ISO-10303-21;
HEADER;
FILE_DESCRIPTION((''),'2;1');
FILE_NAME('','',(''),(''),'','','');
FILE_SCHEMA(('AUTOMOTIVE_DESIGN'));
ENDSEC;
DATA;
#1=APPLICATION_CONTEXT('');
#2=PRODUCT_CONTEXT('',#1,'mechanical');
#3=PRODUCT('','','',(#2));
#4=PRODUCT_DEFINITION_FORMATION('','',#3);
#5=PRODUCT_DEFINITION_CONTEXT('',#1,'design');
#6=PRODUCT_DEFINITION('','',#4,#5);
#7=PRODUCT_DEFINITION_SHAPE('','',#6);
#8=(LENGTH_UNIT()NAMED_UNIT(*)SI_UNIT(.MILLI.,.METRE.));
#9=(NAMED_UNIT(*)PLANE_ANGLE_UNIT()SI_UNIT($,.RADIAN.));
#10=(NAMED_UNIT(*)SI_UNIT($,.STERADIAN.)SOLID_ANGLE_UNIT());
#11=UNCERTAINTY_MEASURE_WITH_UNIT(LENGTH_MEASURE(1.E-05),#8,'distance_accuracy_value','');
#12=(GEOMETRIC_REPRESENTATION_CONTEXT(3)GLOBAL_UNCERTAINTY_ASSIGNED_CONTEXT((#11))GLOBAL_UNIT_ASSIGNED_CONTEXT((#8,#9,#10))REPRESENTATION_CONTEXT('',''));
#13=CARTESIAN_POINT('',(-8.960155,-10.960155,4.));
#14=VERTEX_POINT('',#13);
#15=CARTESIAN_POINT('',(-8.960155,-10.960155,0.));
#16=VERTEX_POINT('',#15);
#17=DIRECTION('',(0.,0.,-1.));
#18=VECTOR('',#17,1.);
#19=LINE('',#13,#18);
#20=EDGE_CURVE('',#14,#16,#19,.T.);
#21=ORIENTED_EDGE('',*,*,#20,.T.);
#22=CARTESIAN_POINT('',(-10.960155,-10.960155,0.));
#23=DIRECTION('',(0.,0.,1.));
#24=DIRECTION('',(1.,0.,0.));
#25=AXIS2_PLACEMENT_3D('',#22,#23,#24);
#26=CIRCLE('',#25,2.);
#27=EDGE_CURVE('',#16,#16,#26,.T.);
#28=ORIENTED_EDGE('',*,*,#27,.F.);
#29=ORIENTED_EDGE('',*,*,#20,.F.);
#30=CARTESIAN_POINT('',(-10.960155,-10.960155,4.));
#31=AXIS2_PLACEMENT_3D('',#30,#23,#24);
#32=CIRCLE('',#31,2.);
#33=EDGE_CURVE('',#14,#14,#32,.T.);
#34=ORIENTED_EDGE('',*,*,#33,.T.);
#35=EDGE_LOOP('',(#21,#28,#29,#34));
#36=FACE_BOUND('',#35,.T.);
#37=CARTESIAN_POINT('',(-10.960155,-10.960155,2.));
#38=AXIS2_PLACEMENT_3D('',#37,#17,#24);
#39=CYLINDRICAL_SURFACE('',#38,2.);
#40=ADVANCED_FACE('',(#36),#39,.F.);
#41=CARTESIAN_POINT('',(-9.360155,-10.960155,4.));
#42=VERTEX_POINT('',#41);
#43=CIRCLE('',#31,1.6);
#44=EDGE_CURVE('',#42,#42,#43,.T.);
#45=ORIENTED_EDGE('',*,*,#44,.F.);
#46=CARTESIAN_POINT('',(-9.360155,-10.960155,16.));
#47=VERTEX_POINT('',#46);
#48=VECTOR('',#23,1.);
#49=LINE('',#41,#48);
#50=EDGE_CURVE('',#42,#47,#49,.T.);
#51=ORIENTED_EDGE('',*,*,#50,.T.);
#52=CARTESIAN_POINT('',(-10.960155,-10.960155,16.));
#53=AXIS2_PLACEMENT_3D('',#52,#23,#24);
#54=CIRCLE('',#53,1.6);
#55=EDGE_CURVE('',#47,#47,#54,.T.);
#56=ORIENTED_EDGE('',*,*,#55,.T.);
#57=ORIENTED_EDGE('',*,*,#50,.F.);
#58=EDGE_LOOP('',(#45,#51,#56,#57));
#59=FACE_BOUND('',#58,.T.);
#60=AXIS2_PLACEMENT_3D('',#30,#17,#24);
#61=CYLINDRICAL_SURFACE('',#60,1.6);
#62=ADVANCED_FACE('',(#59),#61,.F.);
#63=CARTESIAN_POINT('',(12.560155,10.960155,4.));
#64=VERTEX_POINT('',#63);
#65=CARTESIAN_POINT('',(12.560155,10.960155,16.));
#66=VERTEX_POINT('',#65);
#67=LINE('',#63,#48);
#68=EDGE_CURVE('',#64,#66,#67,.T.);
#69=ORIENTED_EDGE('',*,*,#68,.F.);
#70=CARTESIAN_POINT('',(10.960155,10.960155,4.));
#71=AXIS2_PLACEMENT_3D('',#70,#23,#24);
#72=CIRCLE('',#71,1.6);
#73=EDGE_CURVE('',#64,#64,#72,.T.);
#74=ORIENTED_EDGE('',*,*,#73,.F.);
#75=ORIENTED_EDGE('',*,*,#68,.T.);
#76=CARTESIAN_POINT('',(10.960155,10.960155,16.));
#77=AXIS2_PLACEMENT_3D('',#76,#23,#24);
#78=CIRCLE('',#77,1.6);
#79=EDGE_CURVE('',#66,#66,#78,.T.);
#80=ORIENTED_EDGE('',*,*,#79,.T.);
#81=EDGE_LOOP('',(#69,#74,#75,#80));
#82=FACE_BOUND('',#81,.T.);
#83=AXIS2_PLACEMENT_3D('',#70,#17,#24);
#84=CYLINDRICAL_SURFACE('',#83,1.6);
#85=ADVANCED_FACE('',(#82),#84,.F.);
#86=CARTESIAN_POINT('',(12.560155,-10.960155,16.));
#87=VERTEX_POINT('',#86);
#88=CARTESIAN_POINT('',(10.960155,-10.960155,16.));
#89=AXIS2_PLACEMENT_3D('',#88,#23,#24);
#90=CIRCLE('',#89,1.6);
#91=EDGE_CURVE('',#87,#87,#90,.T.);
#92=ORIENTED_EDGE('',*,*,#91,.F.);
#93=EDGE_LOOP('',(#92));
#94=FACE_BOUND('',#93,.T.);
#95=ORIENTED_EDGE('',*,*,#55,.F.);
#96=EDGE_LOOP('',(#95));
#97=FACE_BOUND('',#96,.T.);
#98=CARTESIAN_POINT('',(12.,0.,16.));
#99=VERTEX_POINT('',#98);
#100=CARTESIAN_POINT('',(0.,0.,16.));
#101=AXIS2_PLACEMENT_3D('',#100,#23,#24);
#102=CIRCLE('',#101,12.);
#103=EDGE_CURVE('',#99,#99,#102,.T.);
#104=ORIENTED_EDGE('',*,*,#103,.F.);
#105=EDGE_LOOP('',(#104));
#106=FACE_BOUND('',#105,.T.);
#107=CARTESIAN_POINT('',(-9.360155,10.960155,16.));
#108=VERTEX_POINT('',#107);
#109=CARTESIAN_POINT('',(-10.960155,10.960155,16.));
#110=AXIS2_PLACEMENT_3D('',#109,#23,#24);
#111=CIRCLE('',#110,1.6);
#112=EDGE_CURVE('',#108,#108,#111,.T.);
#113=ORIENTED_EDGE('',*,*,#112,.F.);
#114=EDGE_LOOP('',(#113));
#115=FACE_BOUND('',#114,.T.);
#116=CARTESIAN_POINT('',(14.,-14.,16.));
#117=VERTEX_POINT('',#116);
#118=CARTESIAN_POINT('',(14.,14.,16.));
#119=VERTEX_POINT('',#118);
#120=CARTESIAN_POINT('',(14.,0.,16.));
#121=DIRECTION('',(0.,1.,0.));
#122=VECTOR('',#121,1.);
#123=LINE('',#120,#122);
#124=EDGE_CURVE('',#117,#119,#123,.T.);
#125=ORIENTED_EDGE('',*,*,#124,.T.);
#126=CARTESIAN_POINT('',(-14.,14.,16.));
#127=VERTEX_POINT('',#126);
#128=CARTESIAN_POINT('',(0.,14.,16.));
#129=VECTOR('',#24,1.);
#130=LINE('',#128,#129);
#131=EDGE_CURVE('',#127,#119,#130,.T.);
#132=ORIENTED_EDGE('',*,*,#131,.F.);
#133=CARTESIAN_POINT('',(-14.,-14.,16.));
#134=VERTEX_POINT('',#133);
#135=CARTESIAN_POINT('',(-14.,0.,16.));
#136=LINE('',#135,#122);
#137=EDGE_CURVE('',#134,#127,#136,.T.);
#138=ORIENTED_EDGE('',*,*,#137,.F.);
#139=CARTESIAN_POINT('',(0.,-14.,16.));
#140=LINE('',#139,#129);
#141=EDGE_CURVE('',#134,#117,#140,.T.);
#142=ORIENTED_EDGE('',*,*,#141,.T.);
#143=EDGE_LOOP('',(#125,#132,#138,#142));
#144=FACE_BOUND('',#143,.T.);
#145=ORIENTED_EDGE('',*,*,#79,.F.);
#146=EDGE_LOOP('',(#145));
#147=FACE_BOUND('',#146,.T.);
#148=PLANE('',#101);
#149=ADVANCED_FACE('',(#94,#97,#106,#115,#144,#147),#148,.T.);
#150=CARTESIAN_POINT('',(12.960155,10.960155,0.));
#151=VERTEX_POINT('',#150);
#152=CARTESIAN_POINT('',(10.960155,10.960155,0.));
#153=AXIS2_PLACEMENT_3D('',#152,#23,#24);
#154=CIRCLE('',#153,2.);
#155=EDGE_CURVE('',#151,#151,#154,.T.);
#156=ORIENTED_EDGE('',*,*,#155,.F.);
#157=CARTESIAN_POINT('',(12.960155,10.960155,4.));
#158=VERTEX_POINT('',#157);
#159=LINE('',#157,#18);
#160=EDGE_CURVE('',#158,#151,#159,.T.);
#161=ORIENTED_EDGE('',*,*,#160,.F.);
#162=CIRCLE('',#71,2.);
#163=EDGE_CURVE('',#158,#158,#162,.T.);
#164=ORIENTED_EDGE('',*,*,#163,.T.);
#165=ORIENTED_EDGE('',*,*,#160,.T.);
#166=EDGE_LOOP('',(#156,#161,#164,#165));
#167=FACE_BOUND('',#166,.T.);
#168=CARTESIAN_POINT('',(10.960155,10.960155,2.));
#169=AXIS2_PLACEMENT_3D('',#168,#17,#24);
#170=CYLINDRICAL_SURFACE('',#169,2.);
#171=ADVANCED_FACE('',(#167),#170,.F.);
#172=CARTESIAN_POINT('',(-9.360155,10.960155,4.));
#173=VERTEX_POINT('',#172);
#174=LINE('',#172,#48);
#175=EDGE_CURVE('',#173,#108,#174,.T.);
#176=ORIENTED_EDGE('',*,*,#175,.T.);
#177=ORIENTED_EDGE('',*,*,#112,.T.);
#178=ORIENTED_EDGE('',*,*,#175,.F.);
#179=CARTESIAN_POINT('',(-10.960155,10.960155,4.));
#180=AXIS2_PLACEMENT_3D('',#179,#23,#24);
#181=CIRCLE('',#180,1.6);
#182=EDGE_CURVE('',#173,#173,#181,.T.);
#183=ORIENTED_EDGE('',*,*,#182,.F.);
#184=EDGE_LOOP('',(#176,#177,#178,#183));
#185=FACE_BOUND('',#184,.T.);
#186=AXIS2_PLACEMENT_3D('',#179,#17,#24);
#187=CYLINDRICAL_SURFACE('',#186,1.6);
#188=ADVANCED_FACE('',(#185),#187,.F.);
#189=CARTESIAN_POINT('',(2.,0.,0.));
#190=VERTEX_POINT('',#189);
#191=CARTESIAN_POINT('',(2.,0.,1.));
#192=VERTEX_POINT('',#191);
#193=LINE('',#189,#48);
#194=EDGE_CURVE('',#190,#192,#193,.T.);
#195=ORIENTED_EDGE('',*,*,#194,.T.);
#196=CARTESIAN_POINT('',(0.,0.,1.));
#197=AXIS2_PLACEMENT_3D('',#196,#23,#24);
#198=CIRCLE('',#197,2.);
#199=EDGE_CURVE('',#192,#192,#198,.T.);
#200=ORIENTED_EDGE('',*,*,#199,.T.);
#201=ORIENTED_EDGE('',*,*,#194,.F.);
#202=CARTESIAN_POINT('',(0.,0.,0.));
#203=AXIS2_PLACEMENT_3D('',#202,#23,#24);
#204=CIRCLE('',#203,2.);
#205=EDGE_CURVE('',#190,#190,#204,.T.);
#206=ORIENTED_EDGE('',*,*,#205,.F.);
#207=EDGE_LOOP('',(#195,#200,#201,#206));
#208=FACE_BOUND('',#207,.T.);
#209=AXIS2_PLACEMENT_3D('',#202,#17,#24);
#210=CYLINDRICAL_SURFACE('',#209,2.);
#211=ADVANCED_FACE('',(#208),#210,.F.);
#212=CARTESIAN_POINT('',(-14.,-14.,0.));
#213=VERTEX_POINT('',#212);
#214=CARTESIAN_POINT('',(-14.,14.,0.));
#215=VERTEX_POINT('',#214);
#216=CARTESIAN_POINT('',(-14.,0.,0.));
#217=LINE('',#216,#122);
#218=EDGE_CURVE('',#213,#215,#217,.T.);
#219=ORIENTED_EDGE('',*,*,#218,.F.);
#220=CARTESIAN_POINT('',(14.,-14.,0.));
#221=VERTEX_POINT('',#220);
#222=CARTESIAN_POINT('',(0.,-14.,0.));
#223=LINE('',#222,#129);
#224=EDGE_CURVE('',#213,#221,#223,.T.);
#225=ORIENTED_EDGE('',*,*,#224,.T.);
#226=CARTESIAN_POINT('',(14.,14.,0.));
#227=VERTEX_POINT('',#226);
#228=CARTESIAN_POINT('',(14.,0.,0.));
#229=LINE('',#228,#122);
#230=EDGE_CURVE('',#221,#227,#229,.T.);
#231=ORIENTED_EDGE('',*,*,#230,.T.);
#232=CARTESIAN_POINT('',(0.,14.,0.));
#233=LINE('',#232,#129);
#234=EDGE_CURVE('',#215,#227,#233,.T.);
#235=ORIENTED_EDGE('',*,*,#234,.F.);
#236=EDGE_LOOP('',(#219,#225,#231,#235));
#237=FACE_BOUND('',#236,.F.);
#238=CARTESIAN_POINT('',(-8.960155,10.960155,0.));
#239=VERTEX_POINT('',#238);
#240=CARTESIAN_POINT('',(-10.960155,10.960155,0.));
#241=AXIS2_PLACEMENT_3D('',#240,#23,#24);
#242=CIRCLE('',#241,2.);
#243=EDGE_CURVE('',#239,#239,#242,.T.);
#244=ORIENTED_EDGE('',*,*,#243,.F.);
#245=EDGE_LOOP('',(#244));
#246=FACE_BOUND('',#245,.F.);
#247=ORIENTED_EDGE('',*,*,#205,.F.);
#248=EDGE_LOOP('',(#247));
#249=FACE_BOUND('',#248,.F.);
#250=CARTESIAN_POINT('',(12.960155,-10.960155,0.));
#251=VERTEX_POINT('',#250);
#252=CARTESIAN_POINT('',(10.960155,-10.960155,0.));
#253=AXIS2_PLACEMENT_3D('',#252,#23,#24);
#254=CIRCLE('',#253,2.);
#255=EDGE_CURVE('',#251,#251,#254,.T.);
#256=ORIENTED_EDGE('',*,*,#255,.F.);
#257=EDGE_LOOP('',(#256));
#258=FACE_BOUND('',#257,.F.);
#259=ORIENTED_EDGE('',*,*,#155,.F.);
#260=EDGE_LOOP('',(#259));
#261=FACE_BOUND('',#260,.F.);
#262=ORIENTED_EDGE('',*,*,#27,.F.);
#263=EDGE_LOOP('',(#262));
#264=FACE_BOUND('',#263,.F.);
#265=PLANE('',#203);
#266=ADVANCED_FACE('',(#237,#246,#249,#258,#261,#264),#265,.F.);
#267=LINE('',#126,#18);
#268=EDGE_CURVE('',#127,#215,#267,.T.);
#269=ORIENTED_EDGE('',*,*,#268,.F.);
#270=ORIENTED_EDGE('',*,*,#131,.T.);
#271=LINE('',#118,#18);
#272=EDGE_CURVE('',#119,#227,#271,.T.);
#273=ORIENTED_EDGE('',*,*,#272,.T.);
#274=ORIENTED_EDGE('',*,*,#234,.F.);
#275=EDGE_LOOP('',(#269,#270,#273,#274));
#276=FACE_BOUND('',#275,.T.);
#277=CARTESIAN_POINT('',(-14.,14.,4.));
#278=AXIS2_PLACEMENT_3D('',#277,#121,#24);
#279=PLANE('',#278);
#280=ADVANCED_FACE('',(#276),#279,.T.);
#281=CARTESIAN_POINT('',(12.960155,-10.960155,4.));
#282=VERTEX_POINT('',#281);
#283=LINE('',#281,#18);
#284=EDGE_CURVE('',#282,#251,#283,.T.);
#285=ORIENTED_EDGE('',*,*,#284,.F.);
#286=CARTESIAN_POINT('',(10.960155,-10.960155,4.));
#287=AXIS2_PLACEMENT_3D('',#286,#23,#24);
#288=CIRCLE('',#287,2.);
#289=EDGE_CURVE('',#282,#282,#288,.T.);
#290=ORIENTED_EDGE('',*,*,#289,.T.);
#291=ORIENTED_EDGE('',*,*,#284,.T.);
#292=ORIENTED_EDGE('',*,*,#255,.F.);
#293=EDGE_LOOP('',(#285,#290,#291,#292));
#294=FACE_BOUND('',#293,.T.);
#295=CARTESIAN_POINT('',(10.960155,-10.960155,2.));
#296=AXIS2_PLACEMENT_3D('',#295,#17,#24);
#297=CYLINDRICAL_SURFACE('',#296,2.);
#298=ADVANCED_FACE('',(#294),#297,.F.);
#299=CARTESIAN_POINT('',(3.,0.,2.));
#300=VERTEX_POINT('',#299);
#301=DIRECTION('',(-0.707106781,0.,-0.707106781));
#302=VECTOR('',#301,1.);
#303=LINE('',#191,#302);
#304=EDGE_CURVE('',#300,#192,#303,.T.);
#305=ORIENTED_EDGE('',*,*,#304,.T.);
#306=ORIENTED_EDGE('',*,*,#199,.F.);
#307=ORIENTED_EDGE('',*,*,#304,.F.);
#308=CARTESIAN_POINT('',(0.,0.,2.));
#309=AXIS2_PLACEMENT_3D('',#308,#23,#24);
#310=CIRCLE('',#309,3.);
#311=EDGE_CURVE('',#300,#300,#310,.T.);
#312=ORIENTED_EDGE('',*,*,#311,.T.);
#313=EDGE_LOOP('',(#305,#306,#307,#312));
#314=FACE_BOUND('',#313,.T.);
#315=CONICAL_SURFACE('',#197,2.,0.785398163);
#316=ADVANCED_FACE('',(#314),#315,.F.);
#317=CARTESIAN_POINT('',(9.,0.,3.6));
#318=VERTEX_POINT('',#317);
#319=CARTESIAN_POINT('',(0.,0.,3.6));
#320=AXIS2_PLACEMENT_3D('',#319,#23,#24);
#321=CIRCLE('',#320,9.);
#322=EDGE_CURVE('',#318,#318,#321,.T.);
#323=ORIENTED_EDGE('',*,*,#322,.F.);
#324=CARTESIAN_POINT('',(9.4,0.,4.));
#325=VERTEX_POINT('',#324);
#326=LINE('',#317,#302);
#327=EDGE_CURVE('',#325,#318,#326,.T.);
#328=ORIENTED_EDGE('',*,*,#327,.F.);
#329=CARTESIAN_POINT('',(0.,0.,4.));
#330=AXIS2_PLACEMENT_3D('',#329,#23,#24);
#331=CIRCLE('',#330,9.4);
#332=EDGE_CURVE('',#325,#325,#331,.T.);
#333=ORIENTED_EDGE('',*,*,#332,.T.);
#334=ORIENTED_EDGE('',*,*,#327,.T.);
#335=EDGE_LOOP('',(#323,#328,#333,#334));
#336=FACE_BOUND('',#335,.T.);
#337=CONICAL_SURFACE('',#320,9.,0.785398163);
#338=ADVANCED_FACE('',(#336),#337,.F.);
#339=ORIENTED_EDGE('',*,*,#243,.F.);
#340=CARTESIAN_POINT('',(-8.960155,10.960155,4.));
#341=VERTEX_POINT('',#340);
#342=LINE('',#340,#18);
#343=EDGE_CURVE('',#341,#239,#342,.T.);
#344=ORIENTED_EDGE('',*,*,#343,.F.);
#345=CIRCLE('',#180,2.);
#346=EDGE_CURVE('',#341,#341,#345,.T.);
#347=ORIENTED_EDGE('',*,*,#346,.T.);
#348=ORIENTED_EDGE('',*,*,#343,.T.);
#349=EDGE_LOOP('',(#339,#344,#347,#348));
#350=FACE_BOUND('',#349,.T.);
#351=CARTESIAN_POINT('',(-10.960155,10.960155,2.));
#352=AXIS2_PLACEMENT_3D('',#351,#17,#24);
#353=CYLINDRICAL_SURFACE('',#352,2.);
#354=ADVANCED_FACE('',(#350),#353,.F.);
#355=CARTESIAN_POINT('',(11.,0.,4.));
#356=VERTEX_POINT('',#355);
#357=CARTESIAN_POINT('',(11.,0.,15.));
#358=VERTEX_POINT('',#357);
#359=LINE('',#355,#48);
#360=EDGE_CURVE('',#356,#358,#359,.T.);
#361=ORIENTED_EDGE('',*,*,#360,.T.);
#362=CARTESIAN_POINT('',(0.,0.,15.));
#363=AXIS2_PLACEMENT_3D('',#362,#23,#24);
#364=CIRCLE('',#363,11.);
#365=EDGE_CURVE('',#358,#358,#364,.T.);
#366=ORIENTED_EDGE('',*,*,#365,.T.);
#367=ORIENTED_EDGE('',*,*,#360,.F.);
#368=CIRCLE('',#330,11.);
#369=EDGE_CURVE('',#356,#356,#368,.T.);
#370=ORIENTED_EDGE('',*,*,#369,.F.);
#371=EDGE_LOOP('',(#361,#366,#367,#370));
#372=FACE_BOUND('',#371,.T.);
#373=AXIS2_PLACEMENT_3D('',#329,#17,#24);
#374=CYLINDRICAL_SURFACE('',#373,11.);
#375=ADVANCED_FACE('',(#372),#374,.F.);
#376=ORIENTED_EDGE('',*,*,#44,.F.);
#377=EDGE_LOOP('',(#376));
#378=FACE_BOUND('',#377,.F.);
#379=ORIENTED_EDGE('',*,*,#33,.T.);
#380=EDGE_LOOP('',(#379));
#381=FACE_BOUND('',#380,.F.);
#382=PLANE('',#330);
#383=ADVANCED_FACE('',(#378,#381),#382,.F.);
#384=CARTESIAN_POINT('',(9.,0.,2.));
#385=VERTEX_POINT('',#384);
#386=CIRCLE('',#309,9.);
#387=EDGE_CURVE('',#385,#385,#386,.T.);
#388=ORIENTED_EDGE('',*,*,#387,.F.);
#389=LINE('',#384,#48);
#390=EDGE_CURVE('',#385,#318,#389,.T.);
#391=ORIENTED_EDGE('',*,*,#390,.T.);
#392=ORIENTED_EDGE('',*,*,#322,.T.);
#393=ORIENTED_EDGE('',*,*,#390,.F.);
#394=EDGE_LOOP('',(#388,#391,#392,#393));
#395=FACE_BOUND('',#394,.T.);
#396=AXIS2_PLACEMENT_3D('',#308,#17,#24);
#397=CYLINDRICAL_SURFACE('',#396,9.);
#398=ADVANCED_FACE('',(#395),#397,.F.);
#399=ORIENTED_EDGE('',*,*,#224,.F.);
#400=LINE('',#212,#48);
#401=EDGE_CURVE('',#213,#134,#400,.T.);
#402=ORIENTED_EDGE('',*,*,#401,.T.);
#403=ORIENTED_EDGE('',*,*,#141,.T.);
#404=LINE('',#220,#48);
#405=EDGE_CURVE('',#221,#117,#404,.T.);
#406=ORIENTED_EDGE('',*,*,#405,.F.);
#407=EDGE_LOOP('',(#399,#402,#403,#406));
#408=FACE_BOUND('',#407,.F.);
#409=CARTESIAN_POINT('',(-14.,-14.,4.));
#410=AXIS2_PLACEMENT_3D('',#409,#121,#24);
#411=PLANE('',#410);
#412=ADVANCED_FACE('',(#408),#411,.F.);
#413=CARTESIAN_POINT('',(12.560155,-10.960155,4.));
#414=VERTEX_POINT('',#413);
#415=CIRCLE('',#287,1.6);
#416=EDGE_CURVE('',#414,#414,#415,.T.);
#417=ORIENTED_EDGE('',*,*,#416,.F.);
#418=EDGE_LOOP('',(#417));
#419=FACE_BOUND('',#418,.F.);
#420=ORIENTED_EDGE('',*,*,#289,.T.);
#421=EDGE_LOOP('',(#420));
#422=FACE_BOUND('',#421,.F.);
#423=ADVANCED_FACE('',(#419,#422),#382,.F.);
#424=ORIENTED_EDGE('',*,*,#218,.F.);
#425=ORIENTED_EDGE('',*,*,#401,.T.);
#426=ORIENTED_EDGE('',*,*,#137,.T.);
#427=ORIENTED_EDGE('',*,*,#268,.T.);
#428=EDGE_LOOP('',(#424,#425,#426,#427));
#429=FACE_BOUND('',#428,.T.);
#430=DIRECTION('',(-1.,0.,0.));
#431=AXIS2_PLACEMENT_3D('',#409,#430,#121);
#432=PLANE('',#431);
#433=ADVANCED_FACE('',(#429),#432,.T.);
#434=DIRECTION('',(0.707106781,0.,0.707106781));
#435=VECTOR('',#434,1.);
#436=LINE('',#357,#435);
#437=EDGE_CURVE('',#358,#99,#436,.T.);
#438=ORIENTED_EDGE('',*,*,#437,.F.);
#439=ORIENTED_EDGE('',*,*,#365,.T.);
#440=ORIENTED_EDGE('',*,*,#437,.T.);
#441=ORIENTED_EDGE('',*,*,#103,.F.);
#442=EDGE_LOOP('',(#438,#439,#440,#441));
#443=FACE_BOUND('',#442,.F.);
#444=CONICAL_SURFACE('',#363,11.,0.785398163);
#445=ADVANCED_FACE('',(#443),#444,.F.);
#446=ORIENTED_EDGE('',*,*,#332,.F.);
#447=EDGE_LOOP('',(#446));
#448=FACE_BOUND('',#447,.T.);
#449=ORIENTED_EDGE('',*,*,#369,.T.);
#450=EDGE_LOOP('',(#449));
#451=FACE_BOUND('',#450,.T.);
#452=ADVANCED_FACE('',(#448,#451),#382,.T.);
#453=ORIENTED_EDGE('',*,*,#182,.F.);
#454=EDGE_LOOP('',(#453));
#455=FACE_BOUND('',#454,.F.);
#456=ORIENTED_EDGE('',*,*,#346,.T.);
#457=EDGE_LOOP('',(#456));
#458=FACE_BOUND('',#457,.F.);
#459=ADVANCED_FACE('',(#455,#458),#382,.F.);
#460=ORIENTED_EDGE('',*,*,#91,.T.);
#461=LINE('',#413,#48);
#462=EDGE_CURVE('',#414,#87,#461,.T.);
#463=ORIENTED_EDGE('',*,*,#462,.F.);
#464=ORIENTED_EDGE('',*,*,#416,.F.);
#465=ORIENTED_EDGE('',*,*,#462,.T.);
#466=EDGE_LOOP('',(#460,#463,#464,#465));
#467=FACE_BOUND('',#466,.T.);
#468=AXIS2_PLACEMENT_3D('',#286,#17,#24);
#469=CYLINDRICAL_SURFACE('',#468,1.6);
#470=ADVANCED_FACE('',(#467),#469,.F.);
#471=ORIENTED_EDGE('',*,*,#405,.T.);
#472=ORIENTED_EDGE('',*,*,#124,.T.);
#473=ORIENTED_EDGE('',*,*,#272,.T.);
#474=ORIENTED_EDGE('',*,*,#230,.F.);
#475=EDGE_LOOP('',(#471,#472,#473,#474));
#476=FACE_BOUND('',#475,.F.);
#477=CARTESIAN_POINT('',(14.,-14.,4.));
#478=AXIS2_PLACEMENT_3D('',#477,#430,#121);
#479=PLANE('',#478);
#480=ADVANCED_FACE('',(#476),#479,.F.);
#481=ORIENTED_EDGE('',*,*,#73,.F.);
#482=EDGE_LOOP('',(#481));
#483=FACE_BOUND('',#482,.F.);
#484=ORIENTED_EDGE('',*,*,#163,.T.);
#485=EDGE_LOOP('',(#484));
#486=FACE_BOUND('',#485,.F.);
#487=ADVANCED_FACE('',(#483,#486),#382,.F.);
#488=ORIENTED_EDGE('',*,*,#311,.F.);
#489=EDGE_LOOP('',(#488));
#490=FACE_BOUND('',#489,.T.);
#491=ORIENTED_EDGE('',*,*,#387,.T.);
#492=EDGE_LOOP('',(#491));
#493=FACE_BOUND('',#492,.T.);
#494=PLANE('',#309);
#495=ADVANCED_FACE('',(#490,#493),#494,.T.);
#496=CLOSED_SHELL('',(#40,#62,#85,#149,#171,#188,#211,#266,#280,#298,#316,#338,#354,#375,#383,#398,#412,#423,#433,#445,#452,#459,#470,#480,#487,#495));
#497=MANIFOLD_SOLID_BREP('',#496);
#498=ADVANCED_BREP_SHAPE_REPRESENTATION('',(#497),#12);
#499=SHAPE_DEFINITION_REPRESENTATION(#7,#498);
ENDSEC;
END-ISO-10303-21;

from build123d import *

# Parameters (mm, degrees)
SKETCH_W        = 28
SKETCH_H        = 28
SKETCH_R        = 2
PAD_DEPTH       = 2
SKETCH001_W     = 28
SKETCH001_H     = 28
SKETCH001_R     = 9
SKETCH001_R_2   = 2
PAD001_DEPTH    = 2
SKETCH003_W     = 28
SKETCH003_H     = 28
SKETCH003_R     = 1.6
SKETCH003_R_2   = 11
PAD002_DEPTH    = 12
CHAMFER_SIZE    = 1
CHAMFER001_SIZE = 0.4
CHAMFER002_SIZE = 1


with BuildPart() as part:
    # Sketch → Pad (new body)
    with BuildSketch(Plane.XY):
        Rectangle(SKETCH_W, SKETCH_H)
        Circle(SKETCH_R, mode=Mode.SUBTRACT)
        with Locations((10.960155, 10.960155)):
            Circle(SKETCH_R, mode=Mode.SUBTRACT)
        with Locations((-10.960155, 10.960155)):
            Circle(SKETCH_R, mode=Mode.SUBTRACT)
        with Locations((-10.960155, -10.960155)):
            Circle(SKETCH_R, mode=Mode.SUBTRACT)
        with Locations((10.960155, -10.960155)):
            Circle(SKETCH_R, mode=Mode.SUBTRACT)
    extrude(amount=PAD_DEPTH)

    # Sketch001 (on Face11 of Pad) → Pad001 (join)
    with BuildSketch(Plane.XY.offset(2)):
        Rectangle(SKETCH001_W, SKETCH001_H)
        Circle(SKETCH001_R, mode=Mode.SUBTRACT)
        with Locations((-10.960155, 10.960155)):
            Circle(SKETCH001_R_2, mode=Mode.SUBTRACT)
        with Locations((-10.960155, -10.960155)):
            Circle(SKETCH001_R_2, mode=Mode.SUBTRACT)
        with Locations((10.960155, -10.960155)):
            Circle(SKETCH001_R_2, mode=Mode.SUBTRACT)
        with Locations((10.960155, 10.960155)):
            Circle(SKETCH001_R_2, mode=Mode.SUBTRACT)
    extrude(amount=PAD001_DEPTH)

    # Sketch003 (on Face14 of Pad001) → Pad002 (join)
    with BuildSketch(Plane.XY.offset(4)):
        Rectangle(SKETCH003_W, SKETCH003_H)
        with Locations((-10.960155, 10.960155)):
            Circle(SKETCH003_R, mode=Mode.SUBTRACT)
        with Locations((-10.960155, -10.960155)):
            Circle(SKETCH003_R, mode=Mode.SUBTRACT)
        with Locations((10.960155, -10.960155)):
            Circle(SKETCH003_R, mode=Mode.SUBTRACT)
        with Locations((10.960155, 10.960155)):
            Circle(SKETCH003_R, mode=Mode.SUBTRACT)
        Circle(SKETCH003_R_2, mode=Mode.SUBTRACT)
    extrude(amount=PAD002_DEPTH)

    # Chamfer
    chamfer_edges = [part.edges().sort_by_distance(p)[0] for p in [
        (-11, 0, 16),
    ]]
    chamfer(chamfer_edges, length=CHAMFER_SIZE)

    # Chamfer001
    chamfer001_edges = [part.edges().sort_by_distance(p)[0] for p in [
        (-9, 0, 4),
    ]]
    chamfer(chamfer001_edges, length=CHAMFER001_SIZE)

    # Chamfer002
    chamfer002_edges = [part.edges().sort_by_distance(p)[0] for p in [
        (-2, 0, 2),
    ]]
    chamfer(chamfer002_edges, length=CHAMFER002_SIZE)


solid = part.part
